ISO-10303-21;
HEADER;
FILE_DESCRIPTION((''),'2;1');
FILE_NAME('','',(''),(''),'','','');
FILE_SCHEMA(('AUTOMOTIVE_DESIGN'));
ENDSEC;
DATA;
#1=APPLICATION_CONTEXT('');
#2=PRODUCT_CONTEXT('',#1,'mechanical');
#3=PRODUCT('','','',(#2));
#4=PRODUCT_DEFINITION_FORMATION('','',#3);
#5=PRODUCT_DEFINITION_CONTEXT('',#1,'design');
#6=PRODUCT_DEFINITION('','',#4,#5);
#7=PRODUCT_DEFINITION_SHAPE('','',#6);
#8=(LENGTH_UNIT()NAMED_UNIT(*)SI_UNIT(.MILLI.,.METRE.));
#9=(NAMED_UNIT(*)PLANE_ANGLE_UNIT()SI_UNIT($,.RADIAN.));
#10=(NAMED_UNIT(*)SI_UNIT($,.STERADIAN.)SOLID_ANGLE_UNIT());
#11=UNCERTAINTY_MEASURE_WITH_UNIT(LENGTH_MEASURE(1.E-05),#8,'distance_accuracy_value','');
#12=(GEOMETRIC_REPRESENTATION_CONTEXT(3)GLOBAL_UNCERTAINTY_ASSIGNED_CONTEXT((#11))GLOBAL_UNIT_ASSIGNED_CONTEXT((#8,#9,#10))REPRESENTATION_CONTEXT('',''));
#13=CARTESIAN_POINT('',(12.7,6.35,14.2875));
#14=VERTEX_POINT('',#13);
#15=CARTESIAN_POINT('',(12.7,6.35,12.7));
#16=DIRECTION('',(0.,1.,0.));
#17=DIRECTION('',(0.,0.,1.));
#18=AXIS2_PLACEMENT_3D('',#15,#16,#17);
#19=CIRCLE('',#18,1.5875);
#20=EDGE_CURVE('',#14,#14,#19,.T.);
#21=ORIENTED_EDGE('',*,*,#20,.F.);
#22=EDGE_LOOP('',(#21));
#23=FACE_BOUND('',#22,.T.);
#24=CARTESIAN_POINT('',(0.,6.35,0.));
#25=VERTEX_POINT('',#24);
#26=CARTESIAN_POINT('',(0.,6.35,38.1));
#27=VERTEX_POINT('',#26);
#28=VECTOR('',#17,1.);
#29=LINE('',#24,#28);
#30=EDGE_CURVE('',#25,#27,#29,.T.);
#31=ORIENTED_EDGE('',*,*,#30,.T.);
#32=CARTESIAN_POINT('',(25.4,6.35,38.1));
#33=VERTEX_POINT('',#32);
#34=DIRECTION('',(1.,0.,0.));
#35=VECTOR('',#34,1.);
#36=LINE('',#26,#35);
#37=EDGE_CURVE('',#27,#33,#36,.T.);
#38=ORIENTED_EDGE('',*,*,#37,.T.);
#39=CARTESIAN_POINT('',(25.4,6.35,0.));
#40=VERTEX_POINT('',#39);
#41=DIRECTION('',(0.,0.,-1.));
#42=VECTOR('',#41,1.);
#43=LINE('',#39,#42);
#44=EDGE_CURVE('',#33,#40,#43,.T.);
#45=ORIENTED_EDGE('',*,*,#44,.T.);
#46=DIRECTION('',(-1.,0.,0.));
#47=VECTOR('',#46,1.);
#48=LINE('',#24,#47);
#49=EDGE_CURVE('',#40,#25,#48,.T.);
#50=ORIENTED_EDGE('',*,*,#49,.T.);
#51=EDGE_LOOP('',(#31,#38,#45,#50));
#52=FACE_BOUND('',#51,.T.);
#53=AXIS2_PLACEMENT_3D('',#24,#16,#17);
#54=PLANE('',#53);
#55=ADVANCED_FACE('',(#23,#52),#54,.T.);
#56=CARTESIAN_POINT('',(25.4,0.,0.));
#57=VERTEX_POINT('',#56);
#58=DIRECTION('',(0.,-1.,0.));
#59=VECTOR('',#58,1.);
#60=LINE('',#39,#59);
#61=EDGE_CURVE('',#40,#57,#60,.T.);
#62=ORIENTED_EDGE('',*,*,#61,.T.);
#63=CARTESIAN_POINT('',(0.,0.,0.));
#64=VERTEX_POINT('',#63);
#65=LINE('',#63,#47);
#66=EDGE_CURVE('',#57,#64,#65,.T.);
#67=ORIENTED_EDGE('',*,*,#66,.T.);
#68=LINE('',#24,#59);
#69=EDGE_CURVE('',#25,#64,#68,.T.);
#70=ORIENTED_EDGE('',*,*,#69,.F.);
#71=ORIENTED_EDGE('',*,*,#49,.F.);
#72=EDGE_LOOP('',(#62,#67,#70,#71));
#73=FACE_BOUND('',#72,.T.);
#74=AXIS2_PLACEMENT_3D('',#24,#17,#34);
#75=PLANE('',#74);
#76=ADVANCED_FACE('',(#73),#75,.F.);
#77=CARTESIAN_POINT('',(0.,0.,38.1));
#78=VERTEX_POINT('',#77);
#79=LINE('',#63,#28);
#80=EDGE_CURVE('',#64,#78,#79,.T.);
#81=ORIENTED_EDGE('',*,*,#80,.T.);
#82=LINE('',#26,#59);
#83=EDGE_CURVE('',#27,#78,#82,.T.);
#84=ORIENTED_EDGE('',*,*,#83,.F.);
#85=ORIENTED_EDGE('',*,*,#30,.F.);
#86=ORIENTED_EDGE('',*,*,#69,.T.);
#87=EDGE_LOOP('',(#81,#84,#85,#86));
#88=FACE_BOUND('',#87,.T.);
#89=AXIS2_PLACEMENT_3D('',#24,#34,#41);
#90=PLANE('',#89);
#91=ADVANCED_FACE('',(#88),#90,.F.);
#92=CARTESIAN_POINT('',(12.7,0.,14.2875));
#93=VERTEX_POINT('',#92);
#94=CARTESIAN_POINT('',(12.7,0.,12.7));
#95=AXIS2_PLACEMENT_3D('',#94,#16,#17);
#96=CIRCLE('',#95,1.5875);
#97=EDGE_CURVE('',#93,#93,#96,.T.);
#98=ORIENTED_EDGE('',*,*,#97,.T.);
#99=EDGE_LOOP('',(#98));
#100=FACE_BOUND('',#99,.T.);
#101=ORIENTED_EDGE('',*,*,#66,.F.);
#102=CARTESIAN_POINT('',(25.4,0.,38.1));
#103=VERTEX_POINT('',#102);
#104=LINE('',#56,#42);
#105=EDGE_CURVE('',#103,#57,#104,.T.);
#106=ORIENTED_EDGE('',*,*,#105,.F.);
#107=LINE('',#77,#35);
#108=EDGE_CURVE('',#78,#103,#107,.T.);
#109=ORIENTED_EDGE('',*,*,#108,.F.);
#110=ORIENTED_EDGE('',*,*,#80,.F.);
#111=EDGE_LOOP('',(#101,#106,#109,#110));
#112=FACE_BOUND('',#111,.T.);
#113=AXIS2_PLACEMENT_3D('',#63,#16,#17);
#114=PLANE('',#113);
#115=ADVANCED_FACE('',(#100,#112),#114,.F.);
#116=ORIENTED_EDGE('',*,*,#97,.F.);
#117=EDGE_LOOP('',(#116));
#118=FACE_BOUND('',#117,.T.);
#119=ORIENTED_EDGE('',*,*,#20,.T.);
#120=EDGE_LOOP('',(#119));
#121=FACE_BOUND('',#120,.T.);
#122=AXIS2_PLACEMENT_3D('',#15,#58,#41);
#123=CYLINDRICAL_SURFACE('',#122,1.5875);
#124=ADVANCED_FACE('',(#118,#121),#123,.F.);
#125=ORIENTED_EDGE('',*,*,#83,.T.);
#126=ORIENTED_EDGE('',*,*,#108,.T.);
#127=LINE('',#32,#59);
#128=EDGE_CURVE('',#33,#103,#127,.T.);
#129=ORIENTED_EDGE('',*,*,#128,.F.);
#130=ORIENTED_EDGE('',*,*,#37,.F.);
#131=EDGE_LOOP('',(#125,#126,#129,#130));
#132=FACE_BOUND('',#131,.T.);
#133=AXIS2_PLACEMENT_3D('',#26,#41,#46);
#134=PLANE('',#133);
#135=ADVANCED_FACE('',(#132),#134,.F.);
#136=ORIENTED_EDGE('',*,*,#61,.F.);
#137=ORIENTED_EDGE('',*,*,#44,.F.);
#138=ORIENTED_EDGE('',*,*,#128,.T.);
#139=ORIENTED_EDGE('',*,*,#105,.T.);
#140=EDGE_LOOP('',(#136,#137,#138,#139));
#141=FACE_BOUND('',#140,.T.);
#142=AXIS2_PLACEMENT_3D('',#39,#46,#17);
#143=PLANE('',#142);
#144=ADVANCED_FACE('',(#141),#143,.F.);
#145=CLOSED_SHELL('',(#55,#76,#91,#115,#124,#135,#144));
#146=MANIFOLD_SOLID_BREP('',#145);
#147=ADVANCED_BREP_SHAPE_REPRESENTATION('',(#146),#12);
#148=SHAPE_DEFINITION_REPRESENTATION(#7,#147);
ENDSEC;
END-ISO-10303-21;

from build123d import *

# Parameters (mm, degrees)
SKETCH1_W           = 25.4
SKETCH1_H           = 38.1
SKETCH1_R           = 1.5875
BOSS_EXTRUDE1_DEPTH = 6.35


with BuildPart() as part:
    # Sketch1 → Boss-Extrude1 (new body)
    with BuildSketch(Plane(origin=(0, 0, 0), x_dir=(1, 0, 0), z_dir=(0, 1, 0))):
        with Locations((12.7, -19.05)):
            Rectangle(SKETCH1_W, SKETCH1_H)
        with Locations(Location((12.7, -12.7, 0), (0, 0, 270))):
            Circle(SKETCH1_R, mode=Mode.SUBTRACT)
    extrude(amount=BOSS_EXTRUDE1_DEPTH)


solid = part.part
